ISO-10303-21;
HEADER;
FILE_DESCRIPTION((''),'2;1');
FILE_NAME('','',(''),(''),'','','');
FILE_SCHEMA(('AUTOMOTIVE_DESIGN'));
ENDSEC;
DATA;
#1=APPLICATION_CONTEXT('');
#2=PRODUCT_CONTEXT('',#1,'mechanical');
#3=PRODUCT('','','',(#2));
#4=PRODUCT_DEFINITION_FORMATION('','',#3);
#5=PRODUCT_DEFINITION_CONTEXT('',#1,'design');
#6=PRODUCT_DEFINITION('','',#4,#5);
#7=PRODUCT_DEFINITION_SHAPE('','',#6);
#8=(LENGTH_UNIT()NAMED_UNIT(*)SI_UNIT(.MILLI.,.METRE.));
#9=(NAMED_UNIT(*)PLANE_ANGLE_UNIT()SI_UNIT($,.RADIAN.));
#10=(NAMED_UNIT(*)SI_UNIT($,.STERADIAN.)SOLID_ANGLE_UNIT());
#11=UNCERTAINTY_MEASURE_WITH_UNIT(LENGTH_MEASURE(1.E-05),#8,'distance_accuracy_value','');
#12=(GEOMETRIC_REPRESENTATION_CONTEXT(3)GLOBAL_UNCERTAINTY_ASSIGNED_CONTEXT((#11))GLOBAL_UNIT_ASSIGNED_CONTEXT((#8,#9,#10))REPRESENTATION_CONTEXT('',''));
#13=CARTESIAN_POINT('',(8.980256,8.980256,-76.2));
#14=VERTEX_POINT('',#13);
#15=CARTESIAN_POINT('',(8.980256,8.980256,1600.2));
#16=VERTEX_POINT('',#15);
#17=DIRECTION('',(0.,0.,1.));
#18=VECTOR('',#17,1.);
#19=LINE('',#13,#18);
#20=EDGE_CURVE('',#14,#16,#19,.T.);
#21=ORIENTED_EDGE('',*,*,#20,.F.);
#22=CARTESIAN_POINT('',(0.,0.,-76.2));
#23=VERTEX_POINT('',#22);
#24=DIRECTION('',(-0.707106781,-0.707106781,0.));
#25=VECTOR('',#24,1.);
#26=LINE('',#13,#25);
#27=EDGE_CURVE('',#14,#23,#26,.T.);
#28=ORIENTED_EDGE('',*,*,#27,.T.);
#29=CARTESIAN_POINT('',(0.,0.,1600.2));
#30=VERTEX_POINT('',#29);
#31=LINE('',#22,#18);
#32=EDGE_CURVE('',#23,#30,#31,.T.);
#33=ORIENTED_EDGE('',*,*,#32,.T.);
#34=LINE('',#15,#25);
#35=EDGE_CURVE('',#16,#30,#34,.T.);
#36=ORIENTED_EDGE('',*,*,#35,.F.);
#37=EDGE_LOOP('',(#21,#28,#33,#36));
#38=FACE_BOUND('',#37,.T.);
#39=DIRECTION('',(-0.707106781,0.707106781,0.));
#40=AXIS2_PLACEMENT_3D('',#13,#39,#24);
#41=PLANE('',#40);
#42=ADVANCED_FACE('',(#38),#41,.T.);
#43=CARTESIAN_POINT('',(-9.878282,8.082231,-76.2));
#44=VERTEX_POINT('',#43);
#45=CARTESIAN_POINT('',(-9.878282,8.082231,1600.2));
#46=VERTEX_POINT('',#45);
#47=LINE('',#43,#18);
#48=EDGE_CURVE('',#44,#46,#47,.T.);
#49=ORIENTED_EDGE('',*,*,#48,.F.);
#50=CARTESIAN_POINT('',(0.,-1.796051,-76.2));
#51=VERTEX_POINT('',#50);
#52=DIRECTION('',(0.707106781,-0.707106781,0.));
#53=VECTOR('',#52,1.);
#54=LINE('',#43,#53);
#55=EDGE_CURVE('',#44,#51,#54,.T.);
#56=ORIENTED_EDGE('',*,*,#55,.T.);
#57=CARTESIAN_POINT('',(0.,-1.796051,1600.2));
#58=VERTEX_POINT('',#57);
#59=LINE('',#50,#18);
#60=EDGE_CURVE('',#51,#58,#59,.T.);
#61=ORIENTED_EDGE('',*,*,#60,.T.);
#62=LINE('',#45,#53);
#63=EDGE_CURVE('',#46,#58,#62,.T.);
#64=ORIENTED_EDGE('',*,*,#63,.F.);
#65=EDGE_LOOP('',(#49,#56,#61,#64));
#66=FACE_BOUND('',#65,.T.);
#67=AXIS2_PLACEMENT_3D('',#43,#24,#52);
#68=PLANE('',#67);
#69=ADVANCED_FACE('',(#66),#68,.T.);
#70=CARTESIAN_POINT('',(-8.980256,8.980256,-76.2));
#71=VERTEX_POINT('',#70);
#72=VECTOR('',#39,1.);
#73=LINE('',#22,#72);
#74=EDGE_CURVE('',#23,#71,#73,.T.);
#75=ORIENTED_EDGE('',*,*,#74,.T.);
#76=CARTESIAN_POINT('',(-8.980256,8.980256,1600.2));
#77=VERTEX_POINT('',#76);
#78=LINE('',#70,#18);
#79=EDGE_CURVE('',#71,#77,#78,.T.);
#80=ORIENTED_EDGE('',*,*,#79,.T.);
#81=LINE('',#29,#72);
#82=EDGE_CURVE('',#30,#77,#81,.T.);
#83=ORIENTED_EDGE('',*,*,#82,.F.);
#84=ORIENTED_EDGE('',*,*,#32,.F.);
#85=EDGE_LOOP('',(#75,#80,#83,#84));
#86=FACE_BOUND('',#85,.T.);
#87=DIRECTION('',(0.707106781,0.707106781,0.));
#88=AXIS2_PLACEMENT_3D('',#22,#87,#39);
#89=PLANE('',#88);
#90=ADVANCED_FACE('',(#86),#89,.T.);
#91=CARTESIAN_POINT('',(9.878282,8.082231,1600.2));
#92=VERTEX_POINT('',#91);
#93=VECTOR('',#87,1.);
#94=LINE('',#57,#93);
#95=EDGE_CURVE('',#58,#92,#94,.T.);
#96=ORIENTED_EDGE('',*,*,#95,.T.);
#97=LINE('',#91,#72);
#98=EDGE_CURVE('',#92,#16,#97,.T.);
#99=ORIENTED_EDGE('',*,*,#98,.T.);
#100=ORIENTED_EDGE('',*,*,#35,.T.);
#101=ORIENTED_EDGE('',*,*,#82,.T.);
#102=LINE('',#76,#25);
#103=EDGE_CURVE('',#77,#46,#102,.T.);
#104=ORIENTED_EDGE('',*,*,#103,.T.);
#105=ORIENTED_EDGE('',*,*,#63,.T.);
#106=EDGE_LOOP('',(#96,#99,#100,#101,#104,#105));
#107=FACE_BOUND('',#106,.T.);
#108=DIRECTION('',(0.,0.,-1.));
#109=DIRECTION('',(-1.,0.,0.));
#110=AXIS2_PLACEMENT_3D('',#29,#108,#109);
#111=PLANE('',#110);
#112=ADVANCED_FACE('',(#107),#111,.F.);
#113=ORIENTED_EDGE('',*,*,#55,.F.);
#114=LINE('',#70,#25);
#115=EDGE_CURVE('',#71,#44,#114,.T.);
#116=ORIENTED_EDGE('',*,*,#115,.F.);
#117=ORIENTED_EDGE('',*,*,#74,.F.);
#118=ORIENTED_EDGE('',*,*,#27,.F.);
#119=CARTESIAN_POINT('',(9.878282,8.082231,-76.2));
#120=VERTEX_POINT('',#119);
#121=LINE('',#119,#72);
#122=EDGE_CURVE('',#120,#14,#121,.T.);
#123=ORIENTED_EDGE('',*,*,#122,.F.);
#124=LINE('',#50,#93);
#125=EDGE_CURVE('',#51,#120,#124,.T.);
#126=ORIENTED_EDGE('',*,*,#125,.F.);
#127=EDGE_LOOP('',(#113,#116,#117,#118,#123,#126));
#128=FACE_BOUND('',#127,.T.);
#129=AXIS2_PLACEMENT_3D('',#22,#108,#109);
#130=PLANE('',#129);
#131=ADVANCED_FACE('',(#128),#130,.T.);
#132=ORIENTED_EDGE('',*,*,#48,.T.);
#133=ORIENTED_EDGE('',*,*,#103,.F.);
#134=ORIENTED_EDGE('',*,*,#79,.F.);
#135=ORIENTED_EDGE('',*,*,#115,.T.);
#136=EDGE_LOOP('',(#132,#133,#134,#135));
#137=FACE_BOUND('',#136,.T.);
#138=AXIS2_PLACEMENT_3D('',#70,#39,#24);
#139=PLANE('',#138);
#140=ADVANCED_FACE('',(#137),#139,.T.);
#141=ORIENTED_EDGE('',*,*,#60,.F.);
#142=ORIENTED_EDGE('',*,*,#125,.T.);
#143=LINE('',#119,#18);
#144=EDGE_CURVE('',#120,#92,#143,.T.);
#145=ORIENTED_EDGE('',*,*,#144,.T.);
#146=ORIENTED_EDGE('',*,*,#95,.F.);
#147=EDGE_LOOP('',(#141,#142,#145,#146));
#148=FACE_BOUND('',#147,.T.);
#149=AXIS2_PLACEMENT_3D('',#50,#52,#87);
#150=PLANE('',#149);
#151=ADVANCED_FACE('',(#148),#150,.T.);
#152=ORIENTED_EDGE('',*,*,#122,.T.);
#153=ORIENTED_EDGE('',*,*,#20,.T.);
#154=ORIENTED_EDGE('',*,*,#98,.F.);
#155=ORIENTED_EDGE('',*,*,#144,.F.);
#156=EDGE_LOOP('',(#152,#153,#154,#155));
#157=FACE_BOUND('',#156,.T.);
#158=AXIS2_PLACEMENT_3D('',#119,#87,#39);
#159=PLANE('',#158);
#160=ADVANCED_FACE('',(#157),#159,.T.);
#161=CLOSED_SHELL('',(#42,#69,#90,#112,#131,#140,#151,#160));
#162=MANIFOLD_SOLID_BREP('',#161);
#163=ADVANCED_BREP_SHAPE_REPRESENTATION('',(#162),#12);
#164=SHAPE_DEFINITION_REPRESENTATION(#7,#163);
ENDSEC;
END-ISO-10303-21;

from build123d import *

# Parameters (mm, degrees)
BOSS_EXTRUDE1_DEPTH      = 1600.2
BOSS_EXTRUDE1_DEPTH_BACK = 76.2


with BuildPart() as part:
    # Sketch1 → Boss-Extrude1 (new, two sides: drawn at the far end of the back side and taken through both)
    with BuildSketch(Plane.XY.offset(-BOSS_EXTRUDE1_DEPTH_BACK)):
        Polygon((0, 0), (-8.980256121, 8.980256121), (-9.878281733, 8.082230509), (0, -1.796051224), (9.878281733, 8.082230509), (8.980256121, 8.980256121), align=None)
    extrude(amount=BOSS_EXTRUDE1_DEPTH + BOSS_EXTRUDE1_DEPTH_BACK)


solid = part.part
